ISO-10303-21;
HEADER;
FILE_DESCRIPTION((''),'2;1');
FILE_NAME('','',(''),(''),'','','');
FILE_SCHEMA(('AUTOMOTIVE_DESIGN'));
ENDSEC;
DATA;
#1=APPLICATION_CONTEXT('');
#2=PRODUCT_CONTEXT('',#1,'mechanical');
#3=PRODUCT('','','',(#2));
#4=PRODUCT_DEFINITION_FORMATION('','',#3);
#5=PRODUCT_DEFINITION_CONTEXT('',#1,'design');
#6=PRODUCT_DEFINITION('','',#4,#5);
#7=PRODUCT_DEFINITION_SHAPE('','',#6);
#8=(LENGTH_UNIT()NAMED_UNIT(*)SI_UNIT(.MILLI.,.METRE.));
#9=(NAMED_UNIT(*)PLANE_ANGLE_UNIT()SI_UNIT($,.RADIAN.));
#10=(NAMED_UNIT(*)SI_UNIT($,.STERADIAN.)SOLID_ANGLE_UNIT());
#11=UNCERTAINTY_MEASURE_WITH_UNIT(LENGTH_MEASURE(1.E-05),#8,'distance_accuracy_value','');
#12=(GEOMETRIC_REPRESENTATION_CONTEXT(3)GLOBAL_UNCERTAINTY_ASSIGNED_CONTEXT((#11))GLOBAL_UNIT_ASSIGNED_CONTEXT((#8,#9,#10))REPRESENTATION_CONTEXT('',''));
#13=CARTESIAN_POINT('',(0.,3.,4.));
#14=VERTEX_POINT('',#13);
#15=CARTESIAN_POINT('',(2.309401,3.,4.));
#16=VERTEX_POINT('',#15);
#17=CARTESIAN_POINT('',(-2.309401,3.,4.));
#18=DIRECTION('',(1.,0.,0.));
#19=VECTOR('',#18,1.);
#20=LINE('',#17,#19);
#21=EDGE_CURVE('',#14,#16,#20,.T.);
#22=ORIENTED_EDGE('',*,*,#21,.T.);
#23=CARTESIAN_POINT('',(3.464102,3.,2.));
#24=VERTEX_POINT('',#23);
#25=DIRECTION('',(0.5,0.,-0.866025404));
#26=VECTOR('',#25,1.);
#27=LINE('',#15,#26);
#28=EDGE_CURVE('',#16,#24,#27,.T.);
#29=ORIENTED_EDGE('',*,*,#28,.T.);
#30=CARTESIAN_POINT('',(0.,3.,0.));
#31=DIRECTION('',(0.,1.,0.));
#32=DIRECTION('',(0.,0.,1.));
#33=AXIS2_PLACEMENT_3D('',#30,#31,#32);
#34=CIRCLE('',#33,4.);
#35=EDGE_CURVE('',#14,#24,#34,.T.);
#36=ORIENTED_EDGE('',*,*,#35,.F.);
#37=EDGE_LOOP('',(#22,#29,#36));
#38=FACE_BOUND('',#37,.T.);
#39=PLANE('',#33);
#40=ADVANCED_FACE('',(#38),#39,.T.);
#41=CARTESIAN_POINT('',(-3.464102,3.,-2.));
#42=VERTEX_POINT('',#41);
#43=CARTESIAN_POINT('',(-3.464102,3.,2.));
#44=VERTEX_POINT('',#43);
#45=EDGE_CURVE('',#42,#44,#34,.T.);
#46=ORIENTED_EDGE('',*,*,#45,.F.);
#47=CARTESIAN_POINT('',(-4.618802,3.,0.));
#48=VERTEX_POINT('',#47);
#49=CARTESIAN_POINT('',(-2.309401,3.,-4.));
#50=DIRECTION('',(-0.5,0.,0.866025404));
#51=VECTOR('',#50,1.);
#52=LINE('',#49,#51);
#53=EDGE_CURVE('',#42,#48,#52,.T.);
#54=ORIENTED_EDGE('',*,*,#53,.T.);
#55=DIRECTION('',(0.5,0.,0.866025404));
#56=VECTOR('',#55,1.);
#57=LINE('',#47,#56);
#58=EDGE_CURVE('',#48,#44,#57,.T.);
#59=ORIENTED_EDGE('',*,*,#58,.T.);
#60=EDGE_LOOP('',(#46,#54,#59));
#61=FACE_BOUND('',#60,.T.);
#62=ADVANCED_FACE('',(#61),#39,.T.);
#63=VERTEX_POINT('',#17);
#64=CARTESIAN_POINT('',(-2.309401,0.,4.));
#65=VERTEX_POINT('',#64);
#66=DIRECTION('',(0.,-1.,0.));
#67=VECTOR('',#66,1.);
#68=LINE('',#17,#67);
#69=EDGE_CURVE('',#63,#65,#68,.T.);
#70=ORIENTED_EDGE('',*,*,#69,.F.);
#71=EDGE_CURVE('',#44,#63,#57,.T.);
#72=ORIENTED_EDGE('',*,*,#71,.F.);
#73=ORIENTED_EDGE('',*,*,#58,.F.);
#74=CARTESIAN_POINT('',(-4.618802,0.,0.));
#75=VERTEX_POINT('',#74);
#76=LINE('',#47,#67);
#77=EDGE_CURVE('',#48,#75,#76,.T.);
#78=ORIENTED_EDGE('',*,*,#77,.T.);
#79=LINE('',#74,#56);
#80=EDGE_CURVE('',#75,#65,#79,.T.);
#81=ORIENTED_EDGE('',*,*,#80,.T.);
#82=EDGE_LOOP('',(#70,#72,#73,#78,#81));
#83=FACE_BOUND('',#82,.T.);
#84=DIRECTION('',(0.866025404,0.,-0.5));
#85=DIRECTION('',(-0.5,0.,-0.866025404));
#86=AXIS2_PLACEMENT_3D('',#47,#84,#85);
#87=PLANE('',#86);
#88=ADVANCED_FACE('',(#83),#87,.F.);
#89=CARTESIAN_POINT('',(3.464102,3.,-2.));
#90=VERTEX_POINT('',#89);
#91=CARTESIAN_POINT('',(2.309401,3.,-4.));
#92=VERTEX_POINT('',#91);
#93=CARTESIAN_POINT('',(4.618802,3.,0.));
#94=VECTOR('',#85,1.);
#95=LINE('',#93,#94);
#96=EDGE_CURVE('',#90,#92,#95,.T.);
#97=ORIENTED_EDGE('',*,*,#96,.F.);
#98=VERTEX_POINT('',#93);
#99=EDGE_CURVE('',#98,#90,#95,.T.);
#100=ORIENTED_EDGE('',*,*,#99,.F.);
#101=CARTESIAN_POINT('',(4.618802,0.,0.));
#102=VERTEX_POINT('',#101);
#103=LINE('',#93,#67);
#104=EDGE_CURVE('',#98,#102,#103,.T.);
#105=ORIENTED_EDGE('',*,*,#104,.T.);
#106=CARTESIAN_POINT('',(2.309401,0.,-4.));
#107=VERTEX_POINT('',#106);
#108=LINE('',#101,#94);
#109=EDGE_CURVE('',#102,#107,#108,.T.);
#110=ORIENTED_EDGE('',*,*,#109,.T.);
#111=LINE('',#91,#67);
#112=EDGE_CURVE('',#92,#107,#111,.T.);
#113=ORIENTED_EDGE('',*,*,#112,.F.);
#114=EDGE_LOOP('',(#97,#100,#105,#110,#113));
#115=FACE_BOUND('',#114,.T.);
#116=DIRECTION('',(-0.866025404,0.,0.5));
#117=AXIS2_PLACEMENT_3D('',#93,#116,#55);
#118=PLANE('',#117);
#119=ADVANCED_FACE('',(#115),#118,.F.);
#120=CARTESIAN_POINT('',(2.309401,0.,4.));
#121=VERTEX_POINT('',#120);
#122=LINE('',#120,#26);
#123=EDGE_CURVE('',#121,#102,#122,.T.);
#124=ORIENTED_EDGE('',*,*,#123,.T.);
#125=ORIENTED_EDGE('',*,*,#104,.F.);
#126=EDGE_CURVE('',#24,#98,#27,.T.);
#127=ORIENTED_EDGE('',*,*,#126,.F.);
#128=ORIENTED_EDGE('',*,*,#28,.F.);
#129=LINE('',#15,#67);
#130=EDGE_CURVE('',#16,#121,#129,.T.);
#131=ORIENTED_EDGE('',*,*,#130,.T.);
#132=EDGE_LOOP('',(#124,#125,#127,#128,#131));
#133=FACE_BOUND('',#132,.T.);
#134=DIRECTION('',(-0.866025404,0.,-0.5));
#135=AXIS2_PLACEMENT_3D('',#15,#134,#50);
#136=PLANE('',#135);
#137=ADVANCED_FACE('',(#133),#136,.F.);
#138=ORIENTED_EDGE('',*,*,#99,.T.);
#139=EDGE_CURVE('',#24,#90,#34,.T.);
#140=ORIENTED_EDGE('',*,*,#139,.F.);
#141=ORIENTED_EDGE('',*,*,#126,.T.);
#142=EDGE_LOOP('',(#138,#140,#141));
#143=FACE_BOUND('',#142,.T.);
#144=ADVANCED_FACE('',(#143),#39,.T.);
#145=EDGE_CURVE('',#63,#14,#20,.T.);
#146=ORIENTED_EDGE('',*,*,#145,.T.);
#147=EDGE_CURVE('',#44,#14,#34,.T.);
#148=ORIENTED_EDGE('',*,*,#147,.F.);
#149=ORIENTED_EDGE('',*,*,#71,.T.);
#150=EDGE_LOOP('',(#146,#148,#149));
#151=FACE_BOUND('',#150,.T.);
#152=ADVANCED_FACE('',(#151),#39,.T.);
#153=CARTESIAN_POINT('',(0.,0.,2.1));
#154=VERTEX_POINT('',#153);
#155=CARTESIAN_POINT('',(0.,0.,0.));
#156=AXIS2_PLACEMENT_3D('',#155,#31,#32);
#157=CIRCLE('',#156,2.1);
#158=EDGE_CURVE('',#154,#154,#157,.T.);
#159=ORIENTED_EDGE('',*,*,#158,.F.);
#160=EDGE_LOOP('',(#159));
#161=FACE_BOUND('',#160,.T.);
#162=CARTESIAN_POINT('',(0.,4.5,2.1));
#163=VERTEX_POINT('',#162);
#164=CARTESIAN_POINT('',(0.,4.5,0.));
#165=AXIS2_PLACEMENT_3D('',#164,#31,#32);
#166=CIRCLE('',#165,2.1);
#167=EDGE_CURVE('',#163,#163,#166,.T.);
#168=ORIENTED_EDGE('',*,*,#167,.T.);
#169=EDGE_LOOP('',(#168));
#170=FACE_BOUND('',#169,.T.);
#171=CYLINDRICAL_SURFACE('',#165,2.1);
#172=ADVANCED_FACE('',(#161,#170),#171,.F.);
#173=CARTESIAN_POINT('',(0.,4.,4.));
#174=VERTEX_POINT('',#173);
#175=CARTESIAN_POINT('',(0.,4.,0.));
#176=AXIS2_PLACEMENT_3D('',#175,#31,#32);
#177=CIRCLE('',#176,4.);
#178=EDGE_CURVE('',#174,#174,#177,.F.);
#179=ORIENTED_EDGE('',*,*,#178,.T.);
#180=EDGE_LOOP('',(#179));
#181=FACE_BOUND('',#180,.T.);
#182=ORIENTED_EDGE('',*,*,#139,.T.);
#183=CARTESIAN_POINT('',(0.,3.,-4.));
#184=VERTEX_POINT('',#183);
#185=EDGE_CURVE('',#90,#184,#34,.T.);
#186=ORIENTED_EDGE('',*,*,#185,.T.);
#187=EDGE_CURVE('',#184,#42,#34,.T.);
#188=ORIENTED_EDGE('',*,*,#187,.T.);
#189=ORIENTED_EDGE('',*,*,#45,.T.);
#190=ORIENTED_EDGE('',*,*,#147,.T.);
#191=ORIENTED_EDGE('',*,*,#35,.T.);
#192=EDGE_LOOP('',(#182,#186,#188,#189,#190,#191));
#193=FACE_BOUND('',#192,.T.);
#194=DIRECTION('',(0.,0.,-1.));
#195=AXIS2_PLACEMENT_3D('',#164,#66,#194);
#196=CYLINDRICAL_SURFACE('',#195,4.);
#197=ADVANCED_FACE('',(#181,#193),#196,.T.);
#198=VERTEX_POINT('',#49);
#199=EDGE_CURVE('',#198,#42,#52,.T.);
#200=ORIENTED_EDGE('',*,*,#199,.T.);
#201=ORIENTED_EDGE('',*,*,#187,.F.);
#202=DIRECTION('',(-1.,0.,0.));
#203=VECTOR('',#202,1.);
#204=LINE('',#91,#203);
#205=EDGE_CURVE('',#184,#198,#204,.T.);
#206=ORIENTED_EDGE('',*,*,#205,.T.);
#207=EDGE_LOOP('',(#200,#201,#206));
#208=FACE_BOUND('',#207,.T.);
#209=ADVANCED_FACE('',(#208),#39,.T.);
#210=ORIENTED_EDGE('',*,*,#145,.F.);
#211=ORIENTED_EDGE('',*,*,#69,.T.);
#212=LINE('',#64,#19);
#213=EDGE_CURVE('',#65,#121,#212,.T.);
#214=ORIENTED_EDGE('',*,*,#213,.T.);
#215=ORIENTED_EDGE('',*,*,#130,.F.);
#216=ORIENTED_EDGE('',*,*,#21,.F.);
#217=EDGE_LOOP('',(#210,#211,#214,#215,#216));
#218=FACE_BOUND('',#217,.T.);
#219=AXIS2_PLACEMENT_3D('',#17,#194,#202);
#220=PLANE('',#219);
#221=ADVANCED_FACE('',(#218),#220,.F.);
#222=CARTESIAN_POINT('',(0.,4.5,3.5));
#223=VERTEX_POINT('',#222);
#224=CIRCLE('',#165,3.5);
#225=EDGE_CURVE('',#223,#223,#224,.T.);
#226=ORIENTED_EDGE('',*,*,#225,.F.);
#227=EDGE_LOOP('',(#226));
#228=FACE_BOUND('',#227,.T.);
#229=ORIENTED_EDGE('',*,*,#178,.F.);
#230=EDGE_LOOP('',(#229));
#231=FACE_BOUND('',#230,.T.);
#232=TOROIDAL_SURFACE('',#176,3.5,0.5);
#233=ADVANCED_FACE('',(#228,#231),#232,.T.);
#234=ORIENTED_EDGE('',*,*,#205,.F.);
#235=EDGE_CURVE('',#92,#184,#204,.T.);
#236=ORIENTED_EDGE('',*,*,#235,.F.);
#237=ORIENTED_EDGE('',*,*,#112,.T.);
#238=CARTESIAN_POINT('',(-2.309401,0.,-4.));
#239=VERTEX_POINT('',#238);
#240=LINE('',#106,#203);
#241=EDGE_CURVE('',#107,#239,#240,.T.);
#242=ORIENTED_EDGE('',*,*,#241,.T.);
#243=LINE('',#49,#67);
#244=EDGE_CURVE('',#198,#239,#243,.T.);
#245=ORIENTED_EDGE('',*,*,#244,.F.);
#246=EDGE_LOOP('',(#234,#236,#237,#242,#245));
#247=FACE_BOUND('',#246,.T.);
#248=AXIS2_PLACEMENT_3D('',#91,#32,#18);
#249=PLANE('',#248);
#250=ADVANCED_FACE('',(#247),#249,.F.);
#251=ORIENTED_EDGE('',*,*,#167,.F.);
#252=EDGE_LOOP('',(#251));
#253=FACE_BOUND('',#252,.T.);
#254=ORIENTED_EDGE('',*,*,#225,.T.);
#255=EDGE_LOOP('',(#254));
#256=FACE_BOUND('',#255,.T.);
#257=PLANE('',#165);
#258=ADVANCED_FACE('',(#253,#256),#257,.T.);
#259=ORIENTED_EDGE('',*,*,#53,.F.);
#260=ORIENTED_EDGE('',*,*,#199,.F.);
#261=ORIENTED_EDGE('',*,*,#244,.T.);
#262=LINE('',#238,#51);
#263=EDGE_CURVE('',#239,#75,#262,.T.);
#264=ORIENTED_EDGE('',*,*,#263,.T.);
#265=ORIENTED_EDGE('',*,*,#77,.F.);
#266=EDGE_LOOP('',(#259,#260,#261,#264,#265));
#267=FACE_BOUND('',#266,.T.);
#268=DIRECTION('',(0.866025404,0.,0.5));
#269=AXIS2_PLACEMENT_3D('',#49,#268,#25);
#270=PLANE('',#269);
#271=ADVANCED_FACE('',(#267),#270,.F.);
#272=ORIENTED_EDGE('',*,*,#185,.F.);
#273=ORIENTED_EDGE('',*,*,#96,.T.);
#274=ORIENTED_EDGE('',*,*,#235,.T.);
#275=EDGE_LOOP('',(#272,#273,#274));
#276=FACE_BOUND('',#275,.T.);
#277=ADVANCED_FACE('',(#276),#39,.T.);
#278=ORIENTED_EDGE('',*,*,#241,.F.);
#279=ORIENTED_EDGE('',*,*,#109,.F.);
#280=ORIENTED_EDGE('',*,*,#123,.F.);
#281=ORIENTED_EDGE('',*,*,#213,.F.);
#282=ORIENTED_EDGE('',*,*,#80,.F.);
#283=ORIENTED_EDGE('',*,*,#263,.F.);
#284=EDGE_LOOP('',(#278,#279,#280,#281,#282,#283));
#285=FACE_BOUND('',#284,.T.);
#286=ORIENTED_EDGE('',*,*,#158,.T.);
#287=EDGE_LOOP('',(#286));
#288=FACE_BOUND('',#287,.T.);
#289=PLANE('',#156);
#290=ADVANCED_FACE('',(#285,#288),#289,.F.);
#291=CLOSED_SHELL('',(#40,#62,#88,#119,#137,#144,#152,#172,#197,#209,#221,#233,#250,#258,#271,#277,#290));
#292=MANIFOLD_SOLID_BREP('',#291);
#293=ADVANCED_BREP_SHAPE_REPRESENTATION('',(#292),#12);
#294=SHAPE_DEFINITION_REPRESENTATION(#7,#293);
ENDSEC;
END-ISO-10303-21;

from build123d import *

# Parameters (mm, degrees)
BOSS_EXTRUDE1_DEPTH   = 3
SKETCH2_R             = 4
BOSS_EXTRUDE2_DEPTH   = 1.5
M5X0_8_TAPPED_HOLE1_D = 4.2
FILLET1_R             = 0.5


with BuildPart() as part:
    # Sketch1 → Boss-Extrude1 (new body)
    with BuildSketch(Plane(origin=(0, 0, 0), x_dir=(1, 0, 0), z_dir=(0, 1, 0))):
        Polygon((4.618802154, 0), (2.309401077, 4), (-2.309401077, 4), (-4.618802154, 0), (-2.309401077, -4), (2.309401077, -4), align=None)
    extrude(amount=BOSS_EXTRUDE1_DEPTH)

    # Sketch2 → Boss-Extrude2 (add)
    with BuildSketch(Plane(origin=(0, 3, 0), x_dir=(1, 0, 0), z_dir=(0, 1, 0))):
        with Locations(Location((0, 0, 0), (0, 0, 270))):
            Circle(SKETCH2_R)
    extrude(amount=BOSS_EXTRUDE2_DEPTH)

    # M5x0.8 Tapped Hole1 (through all)
    with Locations(Plane(origin=(0, 4.5, 0), x_dir=(1, 0, 0), z_dir=(0, 1, 0))):
        with Locations((0, 0)):
            Hole(M5X0_8_TAPPED_HOLE1_D / 2)

    # Fillet1
    fillet1_edges = [part.edges().sort_by_distance(p)[0] for p in [
        (0, 4.5, -4),
    ]]
    fillet(fillet1_edges, radius=FILLET1_R)


solid = part.part
